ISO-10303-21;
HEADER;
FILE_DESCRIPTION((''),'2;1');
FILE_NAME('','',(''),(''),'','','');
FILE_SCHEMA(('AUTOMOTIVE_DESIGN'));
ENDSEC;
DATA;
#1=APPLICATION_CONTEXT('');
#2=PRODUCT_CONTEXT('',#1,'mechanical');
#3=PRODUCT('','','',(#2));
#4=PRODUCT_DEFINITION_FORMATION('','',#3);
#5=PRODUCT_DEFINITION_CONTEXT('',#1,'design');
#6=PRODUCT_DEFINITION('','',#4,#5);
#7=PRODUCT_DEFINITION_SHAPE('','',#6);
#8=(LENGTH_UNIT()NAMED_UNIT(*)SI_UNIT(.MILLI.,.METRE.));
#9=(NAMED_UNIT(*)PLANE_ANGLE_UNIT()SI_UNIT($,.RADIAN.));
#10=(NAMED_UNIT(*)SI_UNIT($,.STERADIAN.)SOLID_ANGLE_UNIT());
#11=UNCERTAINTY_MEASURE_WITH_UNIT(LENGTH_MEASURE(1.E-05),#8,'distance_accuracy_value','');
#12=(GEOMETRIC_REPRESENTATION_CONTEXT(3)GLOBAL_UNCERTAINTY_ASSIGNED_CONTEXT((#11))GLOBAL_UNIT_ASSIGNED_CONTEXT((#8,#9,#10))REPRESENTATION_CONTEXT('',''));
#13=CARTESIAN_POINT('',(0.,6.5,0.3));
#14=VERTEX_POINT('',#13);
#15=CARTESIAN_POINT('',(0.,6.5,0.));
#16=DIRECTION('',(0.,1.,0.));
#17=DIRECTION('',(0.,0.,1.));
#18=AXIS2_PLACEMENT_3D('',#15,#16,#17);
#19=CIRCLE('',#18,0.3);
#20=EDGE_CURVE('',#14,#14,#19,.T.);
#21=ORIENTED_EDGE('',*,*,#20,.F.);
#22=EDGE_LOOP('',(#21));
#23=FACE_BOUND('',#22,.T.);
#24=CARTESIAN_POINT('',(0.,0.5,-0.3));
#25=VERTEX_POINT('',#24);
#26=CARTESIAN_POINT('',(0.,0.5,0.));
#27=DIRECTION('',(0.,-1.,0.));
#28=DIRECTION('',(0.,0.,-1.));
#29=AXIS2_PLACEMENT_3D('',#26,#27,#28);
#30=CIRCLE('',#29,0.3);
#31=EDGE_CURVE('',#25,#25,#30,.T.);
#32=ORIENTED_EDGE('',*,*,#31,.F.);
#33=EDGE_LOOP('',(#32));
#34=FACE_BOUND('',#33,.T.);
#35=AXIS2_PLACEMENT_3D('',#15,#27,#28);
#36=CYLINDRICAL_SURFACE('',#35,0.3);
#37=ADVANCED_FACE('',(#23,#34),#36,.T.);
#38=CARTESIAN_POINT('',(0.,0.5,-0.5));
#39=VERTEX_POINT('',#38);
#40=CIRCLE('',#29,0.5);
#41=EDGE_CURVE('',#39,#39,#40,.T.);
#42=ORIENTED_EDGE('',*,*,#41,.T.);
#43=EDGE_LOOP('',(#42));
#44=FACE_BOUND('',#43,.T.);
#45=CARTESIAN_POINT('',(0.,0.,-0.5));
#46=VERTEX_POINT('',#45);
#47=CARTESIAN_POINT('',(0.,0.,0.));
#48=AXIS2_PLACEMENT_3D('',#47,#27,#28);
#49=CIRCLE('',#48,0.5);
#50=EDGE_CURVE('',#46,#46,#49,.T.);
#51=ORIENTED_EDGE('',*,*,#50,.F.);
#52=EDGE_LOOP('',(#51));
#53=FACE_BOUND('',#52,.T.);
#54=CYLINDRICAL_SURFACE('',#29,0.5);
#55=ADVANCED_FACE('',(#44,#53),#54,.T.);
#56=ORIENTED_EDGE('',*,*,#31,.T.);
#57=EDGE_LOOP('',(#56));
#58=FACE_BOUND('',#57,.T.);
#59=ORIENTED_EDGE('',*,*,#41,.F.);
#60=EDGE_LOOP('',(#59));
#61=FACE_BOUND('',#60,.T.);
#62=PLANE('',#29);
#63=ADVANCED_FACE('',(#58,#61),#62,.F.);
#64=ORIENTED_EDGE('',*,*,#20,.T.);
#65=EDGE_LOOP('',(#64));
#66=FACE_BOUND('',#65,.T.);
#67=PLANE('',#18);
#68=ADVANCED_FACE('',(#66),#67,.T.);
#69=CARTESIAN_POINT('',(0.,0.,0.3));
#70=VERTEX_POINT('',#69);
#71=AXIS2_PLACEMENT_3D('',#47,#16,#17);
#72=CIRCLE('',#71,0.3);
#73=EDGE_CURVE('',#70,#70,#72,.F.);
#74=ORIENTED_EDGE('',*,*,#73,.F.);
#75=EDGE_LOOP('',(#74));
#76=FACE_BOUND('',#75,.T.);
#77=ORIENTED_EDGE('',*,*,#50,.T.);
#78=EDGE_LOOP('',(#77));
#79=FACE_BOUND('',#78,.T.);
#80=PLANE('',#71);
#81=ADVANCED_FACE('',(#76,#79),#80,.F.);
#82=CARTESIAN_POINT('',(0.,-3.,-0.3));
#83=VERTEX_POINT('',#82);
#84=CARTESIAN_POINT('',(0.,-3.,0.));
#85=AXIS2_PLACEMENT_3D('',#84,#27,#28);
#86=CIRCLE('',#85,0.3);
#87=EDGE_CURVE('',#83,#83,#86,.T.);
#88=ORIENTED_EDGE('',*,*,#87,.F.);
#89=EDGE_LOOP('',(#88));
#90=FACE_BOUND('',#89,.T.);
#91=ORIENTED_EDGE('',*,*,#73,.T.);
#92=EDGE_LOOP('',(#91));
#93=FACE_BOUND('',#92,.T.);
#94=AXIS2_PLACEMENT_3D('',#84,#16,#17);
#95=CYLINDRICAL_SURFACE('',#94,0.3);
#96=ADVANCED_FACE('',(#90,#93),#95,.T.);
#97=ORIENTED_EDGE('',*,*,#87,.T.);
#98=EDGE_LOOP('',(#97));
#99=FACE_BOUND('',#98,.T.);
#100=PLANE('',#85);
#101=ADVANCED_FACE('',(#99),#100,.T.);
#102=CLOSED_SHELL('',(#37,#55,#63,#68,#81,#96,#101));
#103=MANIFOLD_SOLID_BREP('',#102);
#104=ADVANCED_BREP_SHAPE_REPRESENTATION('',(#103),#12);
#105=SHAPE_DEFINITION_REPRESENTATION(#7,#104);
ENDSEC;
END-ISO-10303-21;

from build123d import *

# Parameters (mm, degrees)
SKETCH2_R           = 0.3
BASE_EXTRUDE_DEPTH  = 6.5
SKETCH3_R           = 0.5
BOSS_EXTRUDE1_DEPTH = 0.5
SKETCH4_R           = 0.3
BOSS_EXTRUDE2_DEPTH = 3


with BuildPart() as part:
    # Sketch2 → Base-Extrude (new body)
    with BuildSketch(Plane(origin=(0, 0, 0), x_dir=(1, 0, 0), z_dir=(0, 1, 0))):
        Circle(SKETCH2_R)
    extrude(amount=BASE_EXTRUDE_DEPTH)

    # Sketch3 → Boss-Extrude1 (add)
    with BuildSketch(Plane.XZ):
        Circle(SKETCH3_R)
    extrude(amount=-BOSS_EXTRUDE1_DEPTH)

    # Sketch4 → Boss-Extrude2 (add)
    with BuildSketch(Plane.XZ):
        Circle(SKETCH4_R)
    extrude(amount=BOSS_EXTRUDE2_DEPTH)


solid = part.part
